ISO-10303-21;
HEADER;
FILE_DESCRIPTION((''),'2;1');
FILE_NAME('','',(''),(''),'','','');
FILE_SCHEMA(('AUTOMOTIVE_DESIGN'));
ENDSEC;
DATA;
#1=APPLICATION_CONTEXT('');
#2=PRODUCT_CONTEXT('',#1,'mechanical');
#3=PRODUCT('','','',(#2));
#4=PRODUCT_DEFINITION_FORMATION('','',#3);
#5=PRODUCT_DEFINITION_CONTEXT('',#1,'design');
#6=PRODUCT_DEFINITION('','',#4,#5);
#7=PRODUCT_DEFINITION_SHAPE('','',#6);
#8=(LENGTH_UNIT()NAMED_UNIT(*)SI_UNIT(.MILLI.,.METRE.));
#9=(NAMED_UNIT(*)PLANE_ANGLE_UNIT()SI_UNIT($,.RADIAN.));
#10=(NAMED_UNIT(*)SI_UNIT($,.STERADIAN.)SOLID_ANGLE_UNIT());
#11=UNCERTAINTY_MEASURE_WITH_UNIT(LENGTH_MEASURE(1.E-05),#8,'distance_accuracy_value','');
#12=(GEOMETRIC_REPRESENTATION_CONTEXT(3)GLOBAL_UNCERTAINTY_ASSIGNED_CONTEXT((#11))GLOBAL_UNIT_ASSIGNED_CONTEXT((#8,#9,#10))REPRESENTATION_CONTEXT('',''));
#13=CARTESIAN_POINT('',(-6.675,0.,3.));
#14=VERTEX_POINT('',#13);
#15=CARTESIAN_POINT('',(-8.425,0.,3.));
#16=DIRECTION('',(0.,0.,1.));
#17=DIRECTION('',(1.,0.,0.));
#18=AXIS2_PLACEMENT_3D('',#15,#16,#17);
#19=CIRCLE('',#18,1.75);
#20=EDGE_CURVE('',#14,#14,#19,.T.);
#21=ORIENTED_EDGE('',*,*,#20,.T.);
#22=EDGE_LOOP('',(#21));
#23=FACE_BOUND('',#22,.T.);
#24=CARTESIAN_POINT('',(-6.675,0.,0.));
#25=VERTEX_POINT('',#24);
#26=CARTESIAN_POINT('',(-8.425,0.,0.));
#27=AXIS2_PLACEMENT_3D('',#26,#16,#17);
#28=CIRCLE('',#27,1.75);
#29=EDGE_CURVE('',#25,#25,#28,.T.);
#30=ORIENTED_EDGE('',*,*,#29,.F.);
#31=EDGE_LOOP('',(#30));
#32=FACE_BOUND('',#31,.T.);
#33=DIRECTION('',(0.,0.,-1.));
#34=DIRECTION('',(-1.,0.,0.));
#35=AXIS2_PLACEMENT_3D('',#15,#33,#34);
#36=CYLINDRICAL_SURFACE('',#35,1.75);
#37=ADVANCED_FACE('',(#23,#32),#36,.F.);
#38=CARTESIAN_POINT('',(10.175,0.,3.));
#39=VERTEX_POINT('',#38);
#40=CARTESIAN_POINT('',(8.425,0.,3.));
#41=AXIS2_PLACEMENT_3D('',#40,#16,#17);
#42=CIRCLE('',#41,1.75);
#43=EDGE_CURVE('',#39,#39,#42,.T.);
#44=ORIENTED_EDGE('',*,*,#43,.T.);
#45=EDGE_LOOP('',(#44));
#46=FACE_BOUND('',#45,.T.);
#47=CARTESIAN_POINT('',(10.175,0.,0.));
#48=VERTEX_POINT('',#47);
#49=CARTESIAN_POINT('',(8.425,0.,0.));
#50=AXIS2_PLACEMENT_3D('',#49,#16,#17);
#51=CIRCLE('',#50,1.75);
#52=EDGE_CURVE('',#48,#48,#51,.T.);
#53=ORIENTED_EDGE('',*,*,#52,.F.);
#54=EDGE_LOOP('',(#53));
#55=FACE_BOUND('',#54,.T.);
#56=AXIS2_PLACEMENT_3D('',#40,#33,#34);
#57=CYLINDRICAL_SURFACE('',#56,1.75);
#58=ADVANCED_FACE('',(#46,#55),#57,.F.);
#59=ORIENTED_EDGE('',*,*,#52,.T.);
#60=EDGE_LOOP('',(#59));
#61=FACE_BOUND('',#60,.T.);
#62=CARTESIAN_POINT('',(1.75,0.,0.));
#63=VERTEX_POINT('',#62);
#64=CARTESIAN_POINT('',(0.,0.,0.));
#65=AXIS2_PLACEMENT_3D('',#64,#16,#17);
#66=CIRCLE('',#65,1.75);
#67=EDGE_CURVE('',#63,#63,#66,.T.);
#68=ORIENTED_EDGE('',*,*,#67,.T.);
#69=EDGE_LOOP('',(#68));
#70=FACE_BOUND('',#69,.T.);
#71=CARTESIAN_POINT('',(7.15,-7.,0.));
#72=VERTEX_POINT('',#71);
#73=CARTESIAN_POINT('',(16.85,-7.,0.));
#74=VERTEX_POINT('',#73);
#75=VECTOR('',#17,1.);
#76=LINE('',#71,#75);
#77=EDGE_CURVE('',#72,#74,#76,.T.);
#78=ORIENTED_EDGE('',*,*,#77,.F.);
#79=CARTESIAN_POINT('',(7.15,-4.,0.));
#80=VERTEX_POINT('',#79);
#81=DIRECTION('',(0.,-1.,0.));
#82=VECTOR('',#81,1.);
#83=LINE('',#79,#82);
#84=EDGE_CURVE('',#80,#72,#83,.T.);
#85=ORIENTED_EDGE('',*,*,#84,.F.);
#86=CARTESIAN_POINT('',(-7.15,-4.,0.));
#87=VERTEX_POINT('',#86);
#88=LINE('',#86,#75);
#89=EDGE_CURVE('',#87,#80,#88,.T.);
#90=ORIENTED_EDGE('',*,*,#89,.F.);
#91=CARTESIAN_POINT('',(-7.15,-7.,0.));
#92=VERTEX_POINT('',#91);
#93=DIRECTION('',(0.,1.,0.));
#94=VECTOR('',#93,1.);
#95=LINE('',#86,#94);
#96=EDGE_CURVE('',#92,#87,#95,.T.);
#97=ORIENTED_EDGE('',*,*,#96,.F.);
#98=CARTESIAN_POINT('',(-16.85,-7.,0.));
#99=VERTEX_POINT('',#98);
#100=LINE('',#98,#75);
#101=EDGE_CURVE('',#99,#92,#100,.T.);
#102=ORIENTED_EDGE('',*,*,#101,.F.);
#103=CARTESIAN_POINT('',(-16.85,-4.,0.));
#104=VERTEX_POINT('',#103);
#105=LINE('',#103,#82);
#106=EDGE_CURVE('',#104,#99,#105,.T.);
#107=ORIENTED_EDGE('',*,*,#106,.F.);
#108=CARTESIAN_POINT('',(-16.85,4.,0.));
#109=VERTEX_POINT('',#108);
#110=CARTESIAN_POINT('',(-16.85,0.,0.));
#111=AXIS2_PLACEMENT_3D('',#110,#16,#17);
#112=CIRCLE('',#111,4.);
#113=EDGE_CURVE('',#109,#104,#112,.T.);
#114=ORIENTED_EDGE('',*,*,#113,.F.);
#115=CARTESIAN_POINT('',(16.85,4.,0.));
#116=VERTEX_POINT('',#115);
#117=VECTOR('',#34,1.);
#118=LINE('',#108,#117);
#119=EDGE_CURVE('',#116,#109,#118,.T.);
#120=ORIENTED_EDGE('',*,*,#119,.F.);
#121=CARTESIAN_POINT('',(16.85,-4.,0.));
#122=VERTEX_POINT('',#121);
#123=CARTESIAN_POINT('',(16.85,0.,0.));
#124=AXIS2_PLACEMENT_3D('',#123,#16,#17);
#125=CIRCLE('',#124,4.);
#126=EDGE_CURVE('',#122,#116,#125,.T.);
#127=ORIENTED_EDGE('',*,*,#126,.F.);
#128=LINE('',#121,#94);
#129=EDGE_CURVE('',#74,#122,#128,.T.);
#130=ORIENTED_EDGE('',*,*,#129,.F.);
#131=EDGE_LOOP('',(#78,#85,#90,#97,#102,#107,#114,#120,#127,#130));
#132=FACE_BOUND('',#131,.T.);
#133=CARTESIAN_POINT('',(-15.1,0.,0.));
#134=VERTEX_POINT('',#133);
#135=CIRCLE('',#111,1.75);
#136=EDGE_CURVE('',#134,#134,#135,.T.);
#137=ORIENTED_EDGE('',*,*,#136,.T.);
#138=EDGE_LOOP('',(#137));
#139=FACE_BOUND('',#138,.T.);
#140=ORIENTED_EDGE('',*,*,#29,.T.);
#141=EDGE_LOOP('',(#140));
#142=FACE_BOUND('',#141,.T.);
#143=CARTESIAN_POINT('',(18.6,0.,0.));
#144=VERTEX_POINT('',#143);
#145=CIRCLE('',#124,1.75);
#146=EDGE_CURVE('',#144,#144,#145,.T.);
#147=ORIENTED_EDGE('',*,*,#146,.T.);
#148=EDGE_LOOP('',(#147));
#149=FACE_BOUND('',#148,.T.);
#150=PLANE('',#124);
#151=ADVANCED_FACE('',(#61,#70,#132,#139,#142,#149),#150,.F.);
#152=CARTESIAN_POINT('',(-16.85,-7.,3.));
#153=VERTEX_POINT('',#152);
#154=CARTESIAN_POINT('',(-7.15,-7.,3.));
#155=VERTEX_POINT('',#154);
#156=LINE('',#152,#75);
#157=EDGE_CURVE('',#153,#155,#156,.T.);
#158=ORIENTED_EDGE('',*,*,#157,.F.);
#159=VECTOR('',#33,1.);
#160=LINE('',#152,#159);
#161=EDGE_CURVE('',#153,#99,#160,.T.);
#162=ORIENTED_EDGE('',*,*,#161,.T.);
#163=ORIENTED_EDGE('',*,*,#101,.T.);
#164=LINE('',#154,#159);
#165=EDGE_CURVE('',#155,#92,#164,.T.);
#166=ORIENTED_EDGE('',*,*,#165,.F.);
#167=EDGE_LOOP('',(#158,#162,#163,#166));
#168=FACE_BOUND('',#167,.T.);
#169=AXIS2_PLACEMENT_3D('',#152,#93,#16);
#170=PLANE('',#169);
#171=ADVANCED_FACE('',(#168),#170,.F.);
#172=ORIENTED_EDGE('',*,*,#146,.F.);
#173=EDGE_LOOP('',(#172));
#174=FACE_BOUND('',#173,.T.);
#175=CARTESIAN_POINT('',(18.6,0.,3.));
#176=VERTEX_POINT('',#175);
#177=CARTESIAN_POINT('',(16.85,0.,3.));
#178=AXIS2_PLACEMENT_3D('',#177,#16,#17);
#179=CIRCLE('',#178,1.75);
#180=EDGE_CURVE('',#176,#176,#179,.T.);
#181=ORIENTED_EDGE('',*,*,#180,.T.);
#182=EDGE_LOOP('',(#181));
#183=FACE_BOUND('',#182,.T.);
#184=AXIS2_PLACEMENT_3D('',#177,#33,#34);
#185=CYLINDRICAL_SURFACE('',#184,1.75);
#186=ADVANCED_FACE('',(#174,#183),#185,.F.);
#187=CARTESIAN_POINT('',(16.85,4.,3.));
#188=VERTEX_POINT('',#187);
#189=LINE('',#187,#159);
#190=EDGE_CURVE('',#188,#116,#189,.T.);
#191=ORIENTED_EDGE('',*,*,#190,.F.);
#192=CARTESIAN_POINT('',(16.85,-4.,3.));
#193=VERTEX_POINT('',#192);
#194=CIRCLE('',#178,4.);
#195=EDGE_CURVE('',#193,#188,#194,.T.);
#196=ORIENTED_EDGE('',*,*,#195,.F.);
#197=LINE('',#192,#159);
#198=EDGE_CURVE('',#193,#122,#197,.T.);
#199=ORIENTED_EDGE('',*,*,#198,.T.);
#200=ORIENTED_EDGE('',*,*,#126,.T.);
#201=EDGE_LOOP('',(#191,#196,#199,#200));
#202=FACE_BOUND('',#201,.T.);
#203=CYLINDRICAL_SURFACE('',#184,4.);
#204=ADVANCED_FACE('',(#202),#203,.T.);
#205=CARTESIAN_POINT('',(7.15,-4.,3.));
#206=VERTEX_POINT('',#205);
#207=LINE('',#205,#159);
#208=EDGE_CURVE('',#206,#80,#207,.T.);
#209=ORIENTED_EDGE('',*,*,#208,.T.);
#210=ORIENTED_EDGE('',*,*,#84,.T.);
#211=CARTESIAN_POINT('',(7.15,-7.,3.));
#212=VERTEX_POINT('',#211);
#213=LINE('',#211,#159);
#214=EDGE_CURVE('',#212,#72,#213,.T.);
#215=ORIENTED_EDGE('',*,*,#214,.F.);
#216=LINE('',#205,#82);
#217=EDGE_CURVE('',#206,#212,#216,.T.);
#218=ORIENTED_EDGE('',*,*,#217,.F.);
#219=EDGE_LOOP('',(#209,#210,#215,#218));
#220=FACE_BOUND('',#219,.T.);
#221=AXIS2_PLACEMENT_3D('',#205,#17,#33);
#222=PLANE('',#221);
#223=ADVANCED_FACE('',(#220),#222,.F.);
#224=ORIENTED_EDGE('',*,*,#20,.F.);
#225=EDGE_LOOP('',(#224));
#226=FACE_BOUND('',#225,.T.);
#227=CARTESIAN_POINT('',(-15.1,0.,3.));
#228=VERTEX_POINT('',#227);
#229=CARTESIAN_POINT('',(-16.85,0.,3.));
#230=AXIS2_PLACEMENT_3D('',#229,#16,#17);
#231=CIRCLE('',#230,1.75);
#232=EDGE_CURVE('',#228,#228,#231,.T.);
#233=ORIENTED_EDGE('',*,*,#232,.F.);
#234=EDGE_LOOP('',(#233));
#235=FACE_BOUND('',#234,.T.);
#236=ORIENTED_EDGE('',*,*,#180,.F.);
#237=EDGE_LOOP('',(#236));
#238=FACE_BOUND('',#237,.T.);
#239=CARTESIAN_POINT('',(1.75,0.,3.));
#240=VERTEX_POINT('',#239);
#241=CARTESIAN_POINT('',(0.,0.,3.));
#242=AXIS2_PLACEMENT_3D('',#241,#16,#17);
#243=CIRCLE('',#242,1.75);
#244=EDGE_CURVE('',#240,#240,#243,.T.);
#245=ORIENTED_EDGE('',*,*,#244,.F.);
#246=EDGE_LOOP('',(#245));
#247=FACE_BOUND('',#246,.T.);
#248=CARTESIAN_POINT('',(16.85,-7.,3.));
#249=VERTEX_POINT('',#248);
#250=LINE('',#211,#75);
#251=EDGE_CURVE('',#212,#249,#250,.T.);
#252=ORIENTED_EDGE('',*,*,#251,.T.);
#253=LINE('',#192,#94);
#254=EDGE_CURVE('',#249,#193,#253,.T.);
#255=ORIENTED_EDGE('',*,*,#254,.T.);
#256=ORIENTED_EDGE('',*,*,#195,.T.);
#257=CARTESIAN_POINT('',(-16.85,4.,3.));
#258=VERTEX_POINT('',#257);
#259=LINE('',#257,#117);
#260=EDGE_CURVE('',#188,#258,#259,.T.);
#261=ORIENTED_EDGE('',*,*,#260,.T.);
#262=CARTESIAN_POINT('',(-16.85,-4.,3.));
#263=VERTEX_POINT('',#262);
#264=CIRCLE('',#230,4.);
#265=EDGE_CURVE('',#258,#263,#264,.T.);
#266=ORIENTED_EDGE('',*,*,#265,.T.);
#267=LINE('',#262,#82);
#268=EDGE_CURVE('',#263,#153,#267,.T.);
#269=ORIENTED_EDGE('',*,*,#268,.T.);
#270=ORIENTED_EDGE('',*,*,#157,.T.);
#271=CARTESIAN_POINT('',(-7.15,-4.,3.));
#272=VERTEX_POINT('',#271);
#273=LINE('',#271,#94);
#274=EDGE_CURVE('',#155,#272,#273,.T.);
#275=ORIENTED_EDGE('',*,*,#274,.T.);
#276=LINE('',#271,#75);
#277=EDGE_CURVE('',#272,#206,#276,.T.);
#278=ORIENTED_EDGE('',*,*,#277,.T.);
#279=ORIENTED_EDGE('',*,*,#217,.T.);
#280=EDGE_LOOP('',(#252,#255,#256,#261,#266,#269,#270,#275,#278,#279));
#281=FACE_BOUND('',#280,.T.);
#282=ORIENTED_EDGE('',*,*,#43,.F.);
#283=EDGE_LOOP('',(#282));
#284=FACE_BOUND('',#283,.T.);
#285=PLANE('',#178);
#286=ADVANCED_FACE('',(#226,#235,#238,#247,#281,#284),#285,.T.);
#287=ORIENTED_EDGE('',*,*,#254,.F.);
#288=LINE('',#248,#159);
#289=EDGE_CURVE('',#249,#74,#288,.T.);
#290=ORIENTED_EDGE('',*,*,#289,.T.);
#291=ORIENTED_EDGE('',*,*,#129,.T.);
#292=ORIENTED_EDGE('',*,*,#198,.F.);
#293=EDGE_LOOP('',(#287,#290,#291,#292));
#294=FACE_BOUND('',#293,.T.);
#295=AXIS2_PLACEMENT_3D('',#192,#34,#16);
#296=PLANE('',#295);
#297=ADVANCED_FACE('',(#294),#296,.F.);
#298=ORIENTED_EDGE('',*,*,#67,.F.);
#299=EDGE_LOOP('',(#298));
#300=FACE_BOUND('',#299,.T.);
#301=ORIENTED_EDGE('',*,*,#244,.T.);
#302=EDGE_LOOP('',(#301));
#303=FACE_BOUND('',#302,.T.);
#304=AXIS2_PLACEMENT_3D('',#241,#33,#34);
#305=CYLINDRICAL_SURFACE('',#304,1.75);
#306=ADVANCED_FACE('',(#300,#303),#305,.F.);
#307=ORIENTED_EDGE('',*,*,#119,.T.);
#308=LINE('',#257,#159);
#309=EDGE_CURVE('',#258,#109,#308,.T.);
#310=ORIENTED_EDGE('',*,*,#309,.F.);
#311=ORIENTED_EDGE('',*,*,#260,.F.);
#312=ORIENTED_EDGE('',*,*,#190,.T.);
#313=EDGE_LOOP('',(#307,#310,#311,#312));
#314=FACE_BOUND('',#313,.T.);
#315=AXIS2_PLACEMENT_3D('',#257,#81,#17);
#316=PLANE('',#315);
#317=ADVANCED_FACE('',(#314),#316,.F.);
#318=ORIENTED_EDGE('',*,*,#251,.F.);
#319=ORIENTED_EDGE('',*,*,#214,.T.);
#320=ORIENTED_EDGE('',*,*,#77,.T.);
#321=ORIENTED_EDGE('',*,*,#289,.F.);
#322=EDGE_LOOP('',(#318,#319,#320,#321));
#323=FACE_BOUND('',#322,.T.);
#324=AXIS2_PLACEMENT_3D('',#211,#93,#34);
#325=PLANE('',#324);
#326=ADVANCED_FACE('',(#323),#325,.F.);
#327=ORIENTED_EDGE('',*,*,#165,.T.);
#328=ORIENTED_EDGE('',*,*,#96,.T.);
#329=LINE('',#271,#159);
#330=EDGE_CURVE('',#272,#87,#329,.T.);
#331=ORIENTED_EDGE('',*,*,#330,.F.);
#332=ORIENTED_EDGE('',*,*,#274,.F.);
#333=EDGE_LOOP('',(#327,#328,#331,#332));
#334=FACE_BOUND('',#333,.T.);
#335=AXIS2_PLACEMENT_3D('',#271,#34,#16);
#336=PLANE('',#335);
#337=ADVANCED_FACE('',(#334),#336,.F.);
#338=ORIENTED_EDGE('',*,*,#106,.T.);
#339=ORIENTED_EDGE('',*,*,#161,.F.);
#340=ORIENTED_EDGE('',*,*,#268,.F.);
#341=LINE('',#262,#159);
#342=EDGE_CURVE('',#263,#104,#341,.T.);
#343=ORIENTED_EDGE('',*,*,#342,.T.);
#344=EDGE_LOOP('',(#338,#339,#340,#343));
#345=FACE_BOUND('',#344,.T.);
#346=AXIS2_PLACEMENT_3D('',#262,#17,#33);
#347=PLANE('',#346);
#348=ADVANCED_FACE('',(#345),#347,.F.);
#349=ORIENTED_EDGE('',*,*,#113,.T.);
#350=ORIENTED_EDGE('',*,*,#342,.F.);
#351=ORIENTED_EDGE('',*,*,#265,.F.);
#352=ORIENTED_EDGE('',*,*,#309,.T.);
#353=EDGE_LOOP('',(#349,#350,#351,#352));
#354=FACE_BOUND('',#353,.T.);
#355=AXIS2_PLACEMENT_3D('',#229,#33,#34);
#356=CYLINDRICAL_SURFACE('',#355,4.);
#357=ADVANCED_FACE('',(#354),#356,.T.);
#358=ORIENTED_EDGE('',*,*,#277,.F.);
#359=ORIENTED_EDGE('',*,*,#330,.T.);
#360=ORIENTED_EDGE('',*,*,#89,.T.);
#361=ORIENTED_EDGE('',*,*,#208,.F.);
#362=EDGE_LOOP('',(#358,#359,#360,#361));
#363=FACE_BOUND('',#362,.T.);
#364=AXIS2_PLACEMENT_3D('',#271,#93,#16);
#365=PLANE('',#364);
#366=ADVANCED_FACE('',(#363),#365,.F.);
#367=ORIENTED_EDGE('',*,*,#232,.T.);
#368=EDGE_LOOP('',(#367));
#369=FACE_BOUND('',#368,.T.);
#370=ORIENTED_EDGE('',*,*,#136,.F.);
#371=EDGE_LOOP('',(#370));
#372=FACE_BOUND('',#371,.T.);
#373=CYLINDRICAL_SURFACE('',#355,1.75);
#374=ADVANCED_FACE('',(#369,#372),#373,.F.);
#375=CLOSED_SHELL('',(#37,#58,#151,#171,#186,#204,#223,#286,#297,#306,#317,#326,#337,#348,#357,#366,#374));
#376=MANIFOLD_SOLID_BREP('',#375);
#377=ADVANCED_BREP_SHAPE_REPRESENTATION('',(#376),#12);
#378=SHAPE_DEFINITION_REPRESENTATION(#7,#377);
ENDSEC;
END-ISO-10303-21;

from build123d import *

# Parameters (mm, degrees)
SKETCH1_R           = 1.75
BOSS_EXTRUDE1_DEPTH = 3


with BuildPart() as part:
    # Sketch1 → Boss-Extrude1 (new body)
    with BuildSketch(Plane.XY):
        with BuildLine():
            Line((-16.85, 4), (16.85, 4))
            ThreePointArc((16.85, 4), (20.85, 0), (16.85, -4))
            Line((16.85, -4), (16.85, -7))
            Line((16.85, -7), (7.15, -7))
            Line((7.15, -7), (7.15, -4))
            Line((7.15, -4), (-7.15, -4))
            Line((-7.15, -4), (-7.15, -7))
            Line((-7.15, -7), (-16.85, -7))
            Line((-16.85, -7), (-16.85, -4))
            ThreePointArc((-16.85, -4), (-20.85, 0), (-16.85, 4))
        make_face()
        with Locations((-16.85, 0)):
            Circle(SKETCH1_R, mode=Mode.SUBTRACT)
        with Locations((-8.425, 0)):
            Circle(SKETCH1_R, mode=Mode.SUBTRACT)
        Circle(SKETCH1_R, mode=Mode.SUBTRACT)
        with Locations((8.425, 0)):
            Circle(SKETCH1_R, mode=Mode.SUBTRACT)
        with Locations((16.85, 0)):
            Circle(SKETCH1_R, mode=Mode.SUBTRACT)
    extrude(amount=BOSS_EXTRUDE1_DEPTH)


solid = part.part
